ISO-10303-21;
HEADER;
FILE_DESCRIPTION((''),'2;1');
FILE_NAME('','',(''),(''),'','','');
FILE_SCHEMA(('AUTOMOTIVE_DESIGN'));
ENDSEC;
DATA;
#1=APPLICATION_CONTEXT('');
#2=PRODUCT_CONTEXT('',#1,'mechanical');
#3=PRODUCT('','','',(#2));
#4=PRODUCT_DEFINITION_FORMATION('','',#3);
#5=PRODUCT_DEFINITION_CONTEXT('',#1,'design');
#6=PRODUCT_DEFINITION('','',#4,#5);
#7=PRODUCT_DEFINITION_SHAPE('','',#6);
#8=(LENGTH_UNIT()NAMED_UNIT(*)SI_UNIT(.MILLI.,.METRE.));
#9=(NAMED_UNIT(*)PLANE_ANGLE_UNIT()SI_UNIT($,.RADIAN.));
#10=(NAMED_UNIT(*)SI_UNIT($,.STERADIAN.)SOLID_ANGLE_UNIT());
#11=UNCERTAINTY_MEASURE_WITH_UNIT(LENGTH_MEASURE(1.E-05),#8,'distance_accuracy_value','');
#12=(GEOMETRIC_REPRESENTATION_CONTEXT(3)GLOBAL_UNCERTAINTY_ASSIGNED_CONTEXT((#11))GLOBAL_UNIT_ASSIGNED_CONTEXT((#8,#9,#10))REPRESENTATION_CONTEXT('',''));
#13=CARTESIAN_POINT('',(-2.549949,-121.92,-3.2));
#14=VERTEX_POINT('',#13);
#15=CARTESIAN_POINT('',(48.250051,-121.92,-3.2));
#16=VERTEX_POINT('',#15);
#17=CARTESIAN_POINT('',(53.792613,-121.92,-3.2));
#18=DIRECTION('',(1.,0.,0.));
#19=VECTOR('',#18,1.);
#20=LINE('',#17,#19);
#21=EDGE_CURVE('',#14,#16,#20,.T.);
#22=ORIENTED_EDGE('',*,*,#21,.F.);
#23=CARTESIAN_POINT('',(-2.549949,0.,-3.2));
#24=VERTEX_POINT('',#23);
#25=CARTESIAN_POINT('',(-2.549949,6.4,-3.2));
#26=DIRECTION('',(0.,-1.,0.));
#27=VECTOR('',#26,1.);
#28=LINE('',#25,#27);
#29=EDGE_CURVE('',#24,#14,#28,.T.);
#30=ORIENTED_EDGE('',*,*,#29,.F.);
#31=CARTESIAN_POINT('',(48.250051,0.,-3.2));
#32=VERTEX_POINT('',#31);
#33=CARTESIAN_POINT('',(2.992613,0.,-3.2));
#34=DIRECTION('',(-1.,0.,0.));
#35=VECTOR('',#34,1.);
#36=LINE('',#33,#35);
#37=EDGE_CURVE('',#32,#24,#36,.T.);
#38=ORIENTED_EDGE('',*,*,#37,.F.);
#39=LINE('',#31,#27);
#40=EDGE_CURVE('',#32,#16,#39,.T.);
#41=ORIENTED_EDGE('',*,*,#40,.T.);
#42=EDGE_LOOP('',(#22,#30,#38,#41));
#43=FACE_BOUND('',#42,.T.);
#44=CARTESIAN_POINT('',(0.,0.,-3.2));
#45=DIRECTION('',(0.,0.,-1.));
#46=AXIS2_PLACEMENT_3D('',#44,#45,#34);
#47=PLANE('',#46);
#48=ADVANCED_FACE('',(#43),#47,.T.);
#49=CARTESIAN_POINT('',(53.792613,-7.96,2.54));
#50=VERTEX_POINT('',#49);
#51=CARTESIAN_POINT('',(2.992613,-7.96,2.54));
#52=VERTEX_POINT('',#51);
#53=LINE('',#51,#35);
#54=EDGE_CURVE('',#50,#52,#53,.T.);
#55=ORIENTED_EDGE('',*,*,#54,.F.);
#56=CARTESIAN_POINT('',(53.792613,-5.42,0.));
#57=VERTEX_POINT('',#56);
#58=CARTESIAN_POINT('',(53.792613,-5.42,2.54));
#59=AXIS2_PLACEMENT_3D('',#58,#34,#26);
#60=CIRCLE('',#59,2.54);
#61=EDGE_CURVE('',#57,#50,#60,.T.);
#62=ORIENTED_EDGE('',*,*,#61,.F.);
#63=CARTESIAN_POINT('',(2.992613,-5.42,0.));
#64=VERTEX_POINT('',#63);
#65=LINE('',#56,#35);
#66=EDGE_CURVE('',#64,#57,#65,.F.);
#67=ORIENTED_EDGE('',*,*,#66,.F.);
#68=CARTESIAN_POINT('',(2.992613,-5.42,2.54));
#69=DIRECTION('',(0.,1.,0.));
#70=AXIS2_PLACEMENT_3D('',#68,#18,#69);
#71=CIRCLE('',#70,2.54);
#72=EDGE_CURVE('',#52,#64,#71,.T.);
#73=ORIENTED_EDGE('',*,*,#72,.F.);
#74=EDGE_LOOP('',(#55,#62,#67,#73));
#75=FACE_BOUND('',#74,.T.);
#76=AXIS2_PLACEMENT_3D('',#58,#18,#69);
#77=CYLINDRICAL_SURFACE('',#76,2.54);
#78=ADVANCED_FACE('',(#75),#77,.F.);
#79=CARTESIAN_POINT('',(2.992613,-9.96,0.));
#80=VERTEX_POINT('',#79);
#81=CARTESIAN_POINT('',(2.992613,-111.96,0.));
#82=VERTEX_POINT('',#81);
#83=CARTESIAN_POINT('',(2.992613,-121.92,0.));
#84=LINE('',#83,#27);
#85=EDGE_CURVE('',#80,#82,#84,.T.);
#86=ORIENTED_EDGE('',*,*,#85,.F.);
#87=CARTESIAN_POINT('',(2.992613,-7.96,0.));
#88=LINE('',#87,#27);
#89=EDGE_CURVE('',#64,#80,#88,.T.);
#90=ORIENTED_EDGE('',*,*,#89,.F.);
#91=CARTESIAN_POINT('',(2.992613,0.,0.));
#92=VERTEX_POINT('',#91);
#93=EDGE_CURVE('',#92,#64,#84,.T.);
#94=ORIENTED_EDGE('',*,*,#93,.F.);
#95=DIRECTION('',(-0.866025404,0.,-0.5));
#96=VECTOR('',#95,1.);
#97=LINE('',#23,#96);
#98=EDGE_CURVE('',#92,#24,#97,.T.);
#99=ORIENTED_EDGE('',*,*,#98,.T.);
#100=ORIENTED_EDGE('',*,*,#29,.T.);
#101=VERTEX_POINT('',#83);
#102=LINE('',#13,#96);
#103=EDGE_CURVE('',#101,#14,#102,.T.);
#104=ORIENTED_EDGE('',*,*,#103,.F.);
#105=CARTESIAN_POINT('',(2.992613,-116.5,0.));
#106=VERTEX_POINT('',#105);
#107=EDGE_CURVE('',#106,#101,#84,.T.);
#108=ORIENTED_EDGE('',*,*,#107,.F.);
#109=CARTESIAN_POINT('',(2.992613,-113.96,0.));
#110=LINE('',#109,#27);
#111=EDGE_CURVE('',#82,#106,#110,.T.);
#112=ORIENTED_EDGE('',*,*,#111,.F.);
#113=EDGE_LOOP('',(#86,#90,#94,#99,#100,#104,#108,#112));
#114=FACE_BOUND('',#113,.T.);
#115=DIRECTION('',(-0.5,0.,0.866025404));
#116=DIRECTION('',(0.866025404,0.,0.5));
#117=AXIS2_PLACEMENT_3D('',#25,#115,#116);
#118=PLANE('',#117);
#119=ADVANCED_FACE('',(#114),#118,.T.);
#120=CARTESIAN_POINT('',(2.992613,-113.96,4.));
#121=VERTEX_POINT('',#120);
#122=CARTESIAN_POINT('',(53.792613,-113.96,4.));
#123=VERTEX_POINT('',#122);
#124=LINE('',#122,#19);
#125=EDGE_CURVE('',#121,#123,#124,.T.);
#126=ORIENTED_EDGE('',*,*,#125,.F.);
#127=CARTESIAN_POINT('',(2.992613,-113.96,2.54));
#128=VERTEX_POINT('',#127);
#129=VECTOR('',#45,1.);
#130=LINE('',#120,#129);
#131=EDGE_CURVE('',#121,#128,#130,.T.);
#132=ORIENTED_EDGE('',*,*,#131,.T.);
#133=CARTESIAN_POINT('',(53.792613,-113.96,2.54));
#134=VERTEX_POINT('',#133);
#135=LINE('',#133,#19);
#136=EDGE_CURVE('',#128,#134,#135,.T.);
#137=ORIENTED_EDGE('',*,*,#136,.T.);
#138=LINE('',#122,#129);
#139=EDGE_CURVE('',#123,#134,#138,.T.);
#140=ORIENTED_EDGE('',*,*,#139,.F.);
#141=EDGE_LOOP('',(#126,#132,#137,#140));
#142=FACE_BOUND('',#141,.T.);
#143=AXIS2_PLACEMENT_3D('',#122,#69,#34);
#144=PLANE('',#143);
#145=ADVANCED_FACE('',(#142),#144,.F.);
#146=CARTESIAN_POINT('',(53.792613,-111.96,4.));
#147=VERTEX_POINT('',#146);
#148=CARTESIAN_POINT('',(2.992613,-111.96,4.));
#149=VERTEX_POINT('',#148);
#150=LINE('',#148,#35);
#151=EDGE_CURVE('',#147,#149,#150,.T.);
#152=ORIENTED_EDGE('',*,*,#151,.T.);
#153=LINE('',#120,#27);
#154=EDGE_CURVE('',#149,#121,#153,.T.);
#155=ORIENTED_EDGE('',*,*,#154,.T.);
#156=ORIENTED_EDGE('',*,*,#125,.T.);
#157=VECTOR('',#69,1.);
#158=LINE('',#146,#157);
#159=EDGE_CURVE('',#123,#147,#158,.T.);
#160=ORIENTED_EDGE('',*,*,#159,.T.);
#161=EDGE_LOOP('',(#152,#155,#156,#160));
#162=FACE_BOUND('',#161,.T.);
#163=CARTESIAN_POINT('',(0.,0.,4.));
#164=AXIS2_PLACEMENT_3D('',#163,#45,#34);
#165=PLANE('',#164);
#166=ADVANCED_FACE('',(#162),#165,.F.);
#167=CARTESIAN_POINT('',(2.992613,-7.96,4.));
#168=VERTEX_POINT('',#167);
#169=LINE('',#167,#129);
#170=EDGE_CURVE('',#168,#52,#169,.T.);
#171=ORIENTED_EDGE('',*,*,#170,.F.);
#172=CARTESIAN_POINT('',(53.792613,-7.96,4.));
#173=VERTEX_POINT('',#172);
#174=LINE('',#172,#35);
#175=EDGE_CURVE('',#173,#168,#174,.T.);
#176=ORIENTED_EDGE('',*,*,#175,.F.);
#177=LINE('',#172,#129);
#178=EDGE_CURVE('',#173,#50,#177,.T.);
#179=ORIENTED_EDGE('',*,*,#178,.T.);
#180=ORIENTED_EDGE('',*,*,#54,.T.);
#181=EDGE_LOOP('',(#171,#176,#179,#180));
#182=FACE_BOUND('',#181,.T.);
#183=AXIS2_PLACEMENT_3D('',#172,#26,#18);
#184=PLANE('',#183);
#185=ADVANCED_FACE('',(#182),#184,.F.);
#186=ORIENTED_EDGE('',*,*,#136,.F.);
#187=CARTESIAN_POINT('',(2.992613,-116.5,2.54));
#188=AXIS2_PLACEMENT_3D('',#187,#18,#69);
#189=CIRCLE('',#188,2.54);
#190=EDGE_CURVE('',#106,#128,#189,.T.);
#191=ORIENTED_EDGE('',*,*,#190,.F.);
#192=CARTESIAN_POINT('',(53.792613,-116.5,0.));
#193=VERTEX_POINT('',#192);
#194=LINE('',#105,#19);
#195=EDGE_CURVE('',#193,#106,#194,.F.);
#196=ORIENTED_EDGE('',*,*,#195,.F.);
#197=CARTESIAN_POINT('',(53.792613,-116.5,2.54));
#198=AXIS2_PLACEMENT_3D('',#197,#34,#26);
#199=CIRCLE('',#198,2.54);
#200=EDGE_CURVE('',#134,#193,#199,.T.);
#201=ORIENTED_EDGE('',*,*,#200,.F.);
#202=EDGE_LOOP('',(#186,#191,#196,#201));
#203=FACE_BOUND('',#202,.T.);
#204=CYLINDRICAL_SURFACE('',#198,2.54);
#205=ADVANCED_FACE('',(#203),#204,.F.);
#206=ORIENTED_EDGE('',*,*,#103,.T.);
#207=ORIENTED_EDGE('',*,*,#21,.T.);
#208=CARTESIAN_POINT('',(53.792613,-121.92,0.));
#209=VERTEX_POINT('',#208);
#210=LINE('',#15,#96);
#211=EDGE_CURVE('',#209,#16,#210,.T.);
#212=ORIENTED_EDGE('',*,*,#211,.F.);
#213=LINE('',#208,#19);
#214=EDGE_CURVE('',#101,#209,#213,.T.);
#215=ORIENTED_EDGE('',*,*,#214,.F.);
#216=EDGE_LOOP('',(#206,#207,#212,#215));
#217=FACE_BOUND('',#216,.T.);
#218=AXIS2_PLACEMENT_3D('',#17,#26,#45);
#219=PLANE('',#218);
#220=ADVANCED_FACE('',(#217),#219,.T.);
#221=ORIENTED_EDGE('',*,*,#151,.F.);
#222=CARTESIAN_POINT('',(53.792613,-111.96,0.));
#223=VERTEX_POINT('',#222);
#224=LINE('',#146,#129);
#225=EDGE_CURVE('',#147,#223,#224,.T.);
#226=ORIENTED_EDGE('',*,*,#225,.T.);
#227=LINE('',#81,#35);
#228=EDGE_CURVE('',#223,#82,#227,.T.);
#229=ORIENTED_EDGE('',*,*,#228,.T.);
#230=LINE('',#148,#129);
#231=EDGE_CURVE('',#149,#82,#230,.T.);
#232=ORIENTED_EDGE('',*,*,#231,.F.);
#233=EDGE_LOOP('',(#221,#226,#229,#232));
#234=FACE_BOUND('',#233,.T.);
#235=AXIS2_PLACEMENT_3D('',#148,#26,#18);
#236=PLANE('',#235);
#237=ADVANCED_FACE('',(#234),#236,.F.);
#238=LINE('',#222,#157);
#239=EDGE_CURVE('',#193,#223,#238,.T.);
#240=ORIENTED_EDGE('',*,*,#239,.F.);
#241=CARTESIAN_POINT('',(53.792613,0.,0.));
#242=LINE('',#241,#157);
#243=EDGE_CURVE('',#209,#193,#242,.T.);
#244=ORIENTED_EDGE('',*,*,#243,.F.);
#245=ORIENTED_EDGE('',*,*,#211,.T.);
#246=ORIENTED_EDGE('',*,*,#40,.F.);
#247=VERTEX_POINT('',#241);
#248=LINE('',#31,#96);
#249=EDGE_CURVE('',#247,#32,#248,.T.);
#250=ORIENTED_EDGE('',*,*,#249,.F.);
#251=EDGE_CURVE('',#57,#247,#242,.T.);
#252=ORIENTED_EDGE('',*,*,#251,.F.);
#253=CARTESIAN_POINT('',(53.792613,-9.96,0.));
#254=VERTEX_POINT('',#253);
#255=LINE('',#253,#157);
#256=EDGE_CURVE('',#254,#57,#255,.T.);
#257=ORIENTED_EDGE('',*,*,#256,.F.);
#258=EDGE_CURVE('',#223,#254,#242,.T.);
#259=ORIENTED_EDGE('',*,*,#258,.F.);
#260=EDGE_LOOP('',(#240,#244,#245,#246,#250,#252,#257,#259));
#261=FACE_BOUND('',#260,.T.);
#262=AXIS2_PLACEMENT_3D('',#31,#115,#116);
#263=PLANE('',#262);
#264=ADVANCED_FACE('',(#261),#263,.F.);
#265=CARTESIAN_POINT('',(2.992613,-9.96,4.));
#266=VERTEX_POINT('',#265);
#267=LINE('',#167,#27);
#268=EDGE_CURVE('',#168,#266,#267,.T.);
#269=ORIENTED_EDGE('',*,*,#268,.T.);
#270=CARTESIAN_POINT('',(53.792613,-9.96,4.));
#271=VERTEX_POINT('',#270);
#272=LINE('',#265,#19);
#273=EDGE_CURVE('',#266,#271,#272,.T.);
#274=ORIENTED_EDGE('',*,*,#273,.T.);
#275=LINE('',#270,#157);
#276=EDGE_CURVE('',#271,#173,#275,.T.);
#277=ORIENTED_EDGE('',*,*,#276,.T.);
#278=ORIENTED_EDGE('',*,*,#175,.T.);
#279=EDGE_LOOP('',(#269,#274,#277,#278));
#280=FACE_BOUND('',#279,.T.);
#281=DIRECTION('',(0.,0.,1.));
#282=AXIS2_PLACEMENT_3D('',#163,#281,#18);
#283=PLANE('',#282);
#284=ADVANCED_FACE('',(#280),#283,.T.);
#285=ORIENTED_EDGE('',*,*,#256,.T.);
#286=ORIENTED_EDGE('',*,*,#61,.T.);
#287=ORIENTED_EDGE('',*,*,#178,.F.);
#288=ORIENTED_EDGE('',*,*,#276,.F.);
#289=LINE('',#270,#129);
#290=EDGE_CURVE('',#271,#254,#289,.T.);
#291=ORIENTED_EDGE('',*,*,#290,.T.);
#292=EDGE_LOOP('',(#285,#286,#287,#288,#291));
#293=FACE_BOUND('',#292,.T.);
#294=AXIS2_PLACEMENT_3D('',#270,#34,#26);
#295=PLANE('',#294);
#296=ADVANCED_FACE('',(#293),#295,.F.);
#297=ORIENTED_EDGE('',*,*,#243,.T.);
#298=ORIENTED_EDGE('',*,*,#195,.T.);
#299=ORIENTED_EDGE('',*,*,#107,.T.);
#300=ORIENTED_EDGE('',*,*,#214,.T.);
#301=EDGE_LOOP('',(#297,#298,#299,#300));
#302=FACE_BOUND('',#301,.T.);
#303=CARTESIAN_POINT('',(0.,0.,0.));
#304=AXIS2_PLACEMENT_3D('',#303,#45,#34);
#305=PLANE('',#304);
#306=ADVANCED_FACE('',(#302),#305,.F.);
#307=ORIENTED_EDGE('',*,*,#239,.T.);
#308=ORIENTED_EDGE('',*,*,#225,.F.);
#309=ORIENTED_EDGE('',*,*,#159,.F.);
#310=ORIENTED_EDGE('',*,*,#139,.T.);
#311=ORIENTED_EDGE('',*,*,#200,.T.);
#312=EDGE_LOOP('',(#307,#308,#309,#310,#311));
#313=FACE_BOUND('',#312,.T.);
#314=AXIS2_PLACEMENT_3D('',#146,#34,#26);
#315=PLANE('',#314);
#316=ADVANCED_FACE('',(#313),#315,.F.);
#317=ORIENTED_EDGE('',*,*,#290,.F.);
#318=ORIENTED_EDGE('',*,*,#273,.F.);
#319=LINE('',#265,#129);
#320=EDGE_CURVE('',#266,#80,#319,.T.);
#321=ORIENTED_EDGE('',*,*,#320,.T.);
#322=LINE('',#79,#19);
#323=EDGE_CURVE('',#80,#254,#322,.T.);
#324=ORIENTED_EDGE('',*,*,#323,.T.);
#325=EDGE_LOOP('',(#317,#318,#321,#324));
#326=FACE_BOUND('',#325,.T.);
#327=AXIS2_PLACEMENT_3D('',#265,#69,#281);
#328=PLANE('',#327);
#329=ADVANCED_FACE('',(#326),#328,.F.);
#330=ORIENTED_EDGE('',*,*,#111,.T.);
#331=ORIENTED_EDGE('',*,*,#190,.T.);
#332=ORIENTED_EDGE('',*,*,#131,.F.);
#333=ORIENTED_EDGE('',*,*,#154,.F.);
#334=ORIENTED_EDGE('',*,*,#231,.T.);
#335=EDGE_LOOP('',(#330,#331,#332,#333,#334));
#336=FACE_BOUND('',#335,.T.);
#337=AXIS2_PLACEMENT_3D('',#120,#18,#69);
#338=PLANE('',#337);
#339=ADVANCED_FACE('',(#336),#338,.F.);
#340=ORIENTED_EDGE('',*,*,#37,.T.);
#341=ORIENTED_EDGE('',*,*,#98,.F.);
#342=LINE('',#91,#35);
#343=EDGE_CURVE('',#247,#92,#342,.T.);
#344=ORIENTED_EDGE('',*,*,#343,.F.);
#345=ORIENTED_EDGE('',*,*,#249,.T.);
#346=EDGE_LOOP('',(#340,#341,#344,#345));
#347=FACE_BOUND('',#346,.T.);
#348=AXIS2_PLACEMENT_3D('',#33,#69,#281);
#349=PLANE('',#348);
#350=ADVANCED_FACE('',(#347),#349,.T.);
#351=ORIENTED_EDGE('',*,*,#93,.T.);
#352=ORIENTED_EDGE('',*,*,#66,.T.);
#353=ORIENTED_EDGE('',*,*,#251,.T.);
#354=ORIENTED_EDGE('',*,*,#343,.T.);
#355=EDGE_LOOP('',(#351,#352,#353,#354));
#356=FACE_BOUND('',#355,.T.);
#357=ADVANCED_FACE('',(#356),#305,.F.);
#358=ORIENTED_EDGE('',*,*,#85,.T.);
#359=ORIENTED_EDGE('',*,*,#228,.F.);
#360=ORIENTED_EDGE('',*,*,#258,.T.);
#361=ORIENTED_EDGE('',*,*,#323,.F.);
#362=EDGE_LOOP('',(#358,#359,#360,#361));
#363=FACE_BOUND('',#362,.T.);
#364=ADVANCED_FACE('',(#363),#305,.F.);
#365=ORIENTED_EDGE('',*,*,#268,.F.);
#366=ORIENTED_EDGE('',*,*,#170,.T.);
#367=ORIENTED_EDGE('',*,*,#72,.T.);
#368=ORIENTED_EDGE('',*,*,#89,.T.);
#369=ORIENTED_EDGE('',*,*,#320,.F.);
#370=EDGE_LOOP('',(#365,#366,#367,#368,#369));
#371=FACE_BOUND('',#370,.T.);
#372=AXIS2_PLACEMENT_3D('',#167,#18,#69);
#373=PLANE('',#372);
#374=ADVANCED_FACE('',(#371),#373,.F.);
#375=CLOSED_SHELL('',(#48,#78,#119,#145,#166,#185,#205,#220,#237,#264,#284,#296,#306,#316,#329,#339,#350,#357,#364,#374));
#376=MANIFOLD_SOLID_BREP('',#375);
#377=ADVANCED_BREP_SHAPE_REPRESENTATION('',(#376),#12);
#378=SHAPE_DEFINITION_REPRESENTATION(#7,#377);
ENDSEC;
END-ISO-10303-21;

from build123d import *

# Parameters (mm, degrees)
SKETCH1_W           = 50.8
SKETCH1_H           = 121.92
BOSS_EXTRUDE1_DEPTH = 3.2
CUT_EXTRUDE1_DEPTH  = 122.92
BOSS_EXTRUDE2_DEPTH = 121.92
SKETCH5_W           = 50.8
SKETCH5_H           = 2
BOSS_EXTRUDE3_DEPTH = 4
FILLET1_R           = 2.54


with BuildPart() as part:
    # Sketch1 → Boss-Extrude1 (new body)
    with BuildSketch(Plane.XY):
        with Locations((28.39261314, -60.96)):
            Rectangle(SKETCH1_W, SKETCH1_H)
    extrude(amount=-BOSS_EXTRUDE1_DEPTH)

    # Sketch2 → Cut-Extrude1 (cut, through all)
    with BuildSketch(Plane.XZ.offset(121.92)):
        Polygon((53.79261314, 0), (53.79261314, -3.2), (48.250050556, -3.2), align=None)
    extrude(amount=-CUT_EXTRUDE1_DEPTH, mode=Mode.SUBTRACT)

    # Sketch4 → Boss-Extrude2 (add)
    with BuildSketch(Plane.XZ.offset(121.92)):
        Polygon((2.99261314, 0), (2.99261314, -3.2), (-2.549949444, -3.2), align=None)
    extrude(amount=-BOSS_EXTRUDE2_DEPTH)

    # Sketch5 → Boss-Extrude3 (add)
    with BuildSketch(Plane.XY):
        with Locations((28.39261314, -8.96)):
            Rectangle(SKETCH5_W, SKETCH5_H)
        with Locations((28.39261314, -112.96)):
            Rectangle(SKETCH5_W, SKETCH5_H)
    extrude(amount=BOSS_EXTRUDE3_DEPTH)

    # Fillet1
    fillet1_edges = [part.edges().sort_by_distance(p)[0] for p in [
        (28.39261314, -7.96, 0),
        (28.39261314, -113.96, 0),
    ]]
    fillet(fillet1_edges, radius=FILLET1_R)


solid = part.part
